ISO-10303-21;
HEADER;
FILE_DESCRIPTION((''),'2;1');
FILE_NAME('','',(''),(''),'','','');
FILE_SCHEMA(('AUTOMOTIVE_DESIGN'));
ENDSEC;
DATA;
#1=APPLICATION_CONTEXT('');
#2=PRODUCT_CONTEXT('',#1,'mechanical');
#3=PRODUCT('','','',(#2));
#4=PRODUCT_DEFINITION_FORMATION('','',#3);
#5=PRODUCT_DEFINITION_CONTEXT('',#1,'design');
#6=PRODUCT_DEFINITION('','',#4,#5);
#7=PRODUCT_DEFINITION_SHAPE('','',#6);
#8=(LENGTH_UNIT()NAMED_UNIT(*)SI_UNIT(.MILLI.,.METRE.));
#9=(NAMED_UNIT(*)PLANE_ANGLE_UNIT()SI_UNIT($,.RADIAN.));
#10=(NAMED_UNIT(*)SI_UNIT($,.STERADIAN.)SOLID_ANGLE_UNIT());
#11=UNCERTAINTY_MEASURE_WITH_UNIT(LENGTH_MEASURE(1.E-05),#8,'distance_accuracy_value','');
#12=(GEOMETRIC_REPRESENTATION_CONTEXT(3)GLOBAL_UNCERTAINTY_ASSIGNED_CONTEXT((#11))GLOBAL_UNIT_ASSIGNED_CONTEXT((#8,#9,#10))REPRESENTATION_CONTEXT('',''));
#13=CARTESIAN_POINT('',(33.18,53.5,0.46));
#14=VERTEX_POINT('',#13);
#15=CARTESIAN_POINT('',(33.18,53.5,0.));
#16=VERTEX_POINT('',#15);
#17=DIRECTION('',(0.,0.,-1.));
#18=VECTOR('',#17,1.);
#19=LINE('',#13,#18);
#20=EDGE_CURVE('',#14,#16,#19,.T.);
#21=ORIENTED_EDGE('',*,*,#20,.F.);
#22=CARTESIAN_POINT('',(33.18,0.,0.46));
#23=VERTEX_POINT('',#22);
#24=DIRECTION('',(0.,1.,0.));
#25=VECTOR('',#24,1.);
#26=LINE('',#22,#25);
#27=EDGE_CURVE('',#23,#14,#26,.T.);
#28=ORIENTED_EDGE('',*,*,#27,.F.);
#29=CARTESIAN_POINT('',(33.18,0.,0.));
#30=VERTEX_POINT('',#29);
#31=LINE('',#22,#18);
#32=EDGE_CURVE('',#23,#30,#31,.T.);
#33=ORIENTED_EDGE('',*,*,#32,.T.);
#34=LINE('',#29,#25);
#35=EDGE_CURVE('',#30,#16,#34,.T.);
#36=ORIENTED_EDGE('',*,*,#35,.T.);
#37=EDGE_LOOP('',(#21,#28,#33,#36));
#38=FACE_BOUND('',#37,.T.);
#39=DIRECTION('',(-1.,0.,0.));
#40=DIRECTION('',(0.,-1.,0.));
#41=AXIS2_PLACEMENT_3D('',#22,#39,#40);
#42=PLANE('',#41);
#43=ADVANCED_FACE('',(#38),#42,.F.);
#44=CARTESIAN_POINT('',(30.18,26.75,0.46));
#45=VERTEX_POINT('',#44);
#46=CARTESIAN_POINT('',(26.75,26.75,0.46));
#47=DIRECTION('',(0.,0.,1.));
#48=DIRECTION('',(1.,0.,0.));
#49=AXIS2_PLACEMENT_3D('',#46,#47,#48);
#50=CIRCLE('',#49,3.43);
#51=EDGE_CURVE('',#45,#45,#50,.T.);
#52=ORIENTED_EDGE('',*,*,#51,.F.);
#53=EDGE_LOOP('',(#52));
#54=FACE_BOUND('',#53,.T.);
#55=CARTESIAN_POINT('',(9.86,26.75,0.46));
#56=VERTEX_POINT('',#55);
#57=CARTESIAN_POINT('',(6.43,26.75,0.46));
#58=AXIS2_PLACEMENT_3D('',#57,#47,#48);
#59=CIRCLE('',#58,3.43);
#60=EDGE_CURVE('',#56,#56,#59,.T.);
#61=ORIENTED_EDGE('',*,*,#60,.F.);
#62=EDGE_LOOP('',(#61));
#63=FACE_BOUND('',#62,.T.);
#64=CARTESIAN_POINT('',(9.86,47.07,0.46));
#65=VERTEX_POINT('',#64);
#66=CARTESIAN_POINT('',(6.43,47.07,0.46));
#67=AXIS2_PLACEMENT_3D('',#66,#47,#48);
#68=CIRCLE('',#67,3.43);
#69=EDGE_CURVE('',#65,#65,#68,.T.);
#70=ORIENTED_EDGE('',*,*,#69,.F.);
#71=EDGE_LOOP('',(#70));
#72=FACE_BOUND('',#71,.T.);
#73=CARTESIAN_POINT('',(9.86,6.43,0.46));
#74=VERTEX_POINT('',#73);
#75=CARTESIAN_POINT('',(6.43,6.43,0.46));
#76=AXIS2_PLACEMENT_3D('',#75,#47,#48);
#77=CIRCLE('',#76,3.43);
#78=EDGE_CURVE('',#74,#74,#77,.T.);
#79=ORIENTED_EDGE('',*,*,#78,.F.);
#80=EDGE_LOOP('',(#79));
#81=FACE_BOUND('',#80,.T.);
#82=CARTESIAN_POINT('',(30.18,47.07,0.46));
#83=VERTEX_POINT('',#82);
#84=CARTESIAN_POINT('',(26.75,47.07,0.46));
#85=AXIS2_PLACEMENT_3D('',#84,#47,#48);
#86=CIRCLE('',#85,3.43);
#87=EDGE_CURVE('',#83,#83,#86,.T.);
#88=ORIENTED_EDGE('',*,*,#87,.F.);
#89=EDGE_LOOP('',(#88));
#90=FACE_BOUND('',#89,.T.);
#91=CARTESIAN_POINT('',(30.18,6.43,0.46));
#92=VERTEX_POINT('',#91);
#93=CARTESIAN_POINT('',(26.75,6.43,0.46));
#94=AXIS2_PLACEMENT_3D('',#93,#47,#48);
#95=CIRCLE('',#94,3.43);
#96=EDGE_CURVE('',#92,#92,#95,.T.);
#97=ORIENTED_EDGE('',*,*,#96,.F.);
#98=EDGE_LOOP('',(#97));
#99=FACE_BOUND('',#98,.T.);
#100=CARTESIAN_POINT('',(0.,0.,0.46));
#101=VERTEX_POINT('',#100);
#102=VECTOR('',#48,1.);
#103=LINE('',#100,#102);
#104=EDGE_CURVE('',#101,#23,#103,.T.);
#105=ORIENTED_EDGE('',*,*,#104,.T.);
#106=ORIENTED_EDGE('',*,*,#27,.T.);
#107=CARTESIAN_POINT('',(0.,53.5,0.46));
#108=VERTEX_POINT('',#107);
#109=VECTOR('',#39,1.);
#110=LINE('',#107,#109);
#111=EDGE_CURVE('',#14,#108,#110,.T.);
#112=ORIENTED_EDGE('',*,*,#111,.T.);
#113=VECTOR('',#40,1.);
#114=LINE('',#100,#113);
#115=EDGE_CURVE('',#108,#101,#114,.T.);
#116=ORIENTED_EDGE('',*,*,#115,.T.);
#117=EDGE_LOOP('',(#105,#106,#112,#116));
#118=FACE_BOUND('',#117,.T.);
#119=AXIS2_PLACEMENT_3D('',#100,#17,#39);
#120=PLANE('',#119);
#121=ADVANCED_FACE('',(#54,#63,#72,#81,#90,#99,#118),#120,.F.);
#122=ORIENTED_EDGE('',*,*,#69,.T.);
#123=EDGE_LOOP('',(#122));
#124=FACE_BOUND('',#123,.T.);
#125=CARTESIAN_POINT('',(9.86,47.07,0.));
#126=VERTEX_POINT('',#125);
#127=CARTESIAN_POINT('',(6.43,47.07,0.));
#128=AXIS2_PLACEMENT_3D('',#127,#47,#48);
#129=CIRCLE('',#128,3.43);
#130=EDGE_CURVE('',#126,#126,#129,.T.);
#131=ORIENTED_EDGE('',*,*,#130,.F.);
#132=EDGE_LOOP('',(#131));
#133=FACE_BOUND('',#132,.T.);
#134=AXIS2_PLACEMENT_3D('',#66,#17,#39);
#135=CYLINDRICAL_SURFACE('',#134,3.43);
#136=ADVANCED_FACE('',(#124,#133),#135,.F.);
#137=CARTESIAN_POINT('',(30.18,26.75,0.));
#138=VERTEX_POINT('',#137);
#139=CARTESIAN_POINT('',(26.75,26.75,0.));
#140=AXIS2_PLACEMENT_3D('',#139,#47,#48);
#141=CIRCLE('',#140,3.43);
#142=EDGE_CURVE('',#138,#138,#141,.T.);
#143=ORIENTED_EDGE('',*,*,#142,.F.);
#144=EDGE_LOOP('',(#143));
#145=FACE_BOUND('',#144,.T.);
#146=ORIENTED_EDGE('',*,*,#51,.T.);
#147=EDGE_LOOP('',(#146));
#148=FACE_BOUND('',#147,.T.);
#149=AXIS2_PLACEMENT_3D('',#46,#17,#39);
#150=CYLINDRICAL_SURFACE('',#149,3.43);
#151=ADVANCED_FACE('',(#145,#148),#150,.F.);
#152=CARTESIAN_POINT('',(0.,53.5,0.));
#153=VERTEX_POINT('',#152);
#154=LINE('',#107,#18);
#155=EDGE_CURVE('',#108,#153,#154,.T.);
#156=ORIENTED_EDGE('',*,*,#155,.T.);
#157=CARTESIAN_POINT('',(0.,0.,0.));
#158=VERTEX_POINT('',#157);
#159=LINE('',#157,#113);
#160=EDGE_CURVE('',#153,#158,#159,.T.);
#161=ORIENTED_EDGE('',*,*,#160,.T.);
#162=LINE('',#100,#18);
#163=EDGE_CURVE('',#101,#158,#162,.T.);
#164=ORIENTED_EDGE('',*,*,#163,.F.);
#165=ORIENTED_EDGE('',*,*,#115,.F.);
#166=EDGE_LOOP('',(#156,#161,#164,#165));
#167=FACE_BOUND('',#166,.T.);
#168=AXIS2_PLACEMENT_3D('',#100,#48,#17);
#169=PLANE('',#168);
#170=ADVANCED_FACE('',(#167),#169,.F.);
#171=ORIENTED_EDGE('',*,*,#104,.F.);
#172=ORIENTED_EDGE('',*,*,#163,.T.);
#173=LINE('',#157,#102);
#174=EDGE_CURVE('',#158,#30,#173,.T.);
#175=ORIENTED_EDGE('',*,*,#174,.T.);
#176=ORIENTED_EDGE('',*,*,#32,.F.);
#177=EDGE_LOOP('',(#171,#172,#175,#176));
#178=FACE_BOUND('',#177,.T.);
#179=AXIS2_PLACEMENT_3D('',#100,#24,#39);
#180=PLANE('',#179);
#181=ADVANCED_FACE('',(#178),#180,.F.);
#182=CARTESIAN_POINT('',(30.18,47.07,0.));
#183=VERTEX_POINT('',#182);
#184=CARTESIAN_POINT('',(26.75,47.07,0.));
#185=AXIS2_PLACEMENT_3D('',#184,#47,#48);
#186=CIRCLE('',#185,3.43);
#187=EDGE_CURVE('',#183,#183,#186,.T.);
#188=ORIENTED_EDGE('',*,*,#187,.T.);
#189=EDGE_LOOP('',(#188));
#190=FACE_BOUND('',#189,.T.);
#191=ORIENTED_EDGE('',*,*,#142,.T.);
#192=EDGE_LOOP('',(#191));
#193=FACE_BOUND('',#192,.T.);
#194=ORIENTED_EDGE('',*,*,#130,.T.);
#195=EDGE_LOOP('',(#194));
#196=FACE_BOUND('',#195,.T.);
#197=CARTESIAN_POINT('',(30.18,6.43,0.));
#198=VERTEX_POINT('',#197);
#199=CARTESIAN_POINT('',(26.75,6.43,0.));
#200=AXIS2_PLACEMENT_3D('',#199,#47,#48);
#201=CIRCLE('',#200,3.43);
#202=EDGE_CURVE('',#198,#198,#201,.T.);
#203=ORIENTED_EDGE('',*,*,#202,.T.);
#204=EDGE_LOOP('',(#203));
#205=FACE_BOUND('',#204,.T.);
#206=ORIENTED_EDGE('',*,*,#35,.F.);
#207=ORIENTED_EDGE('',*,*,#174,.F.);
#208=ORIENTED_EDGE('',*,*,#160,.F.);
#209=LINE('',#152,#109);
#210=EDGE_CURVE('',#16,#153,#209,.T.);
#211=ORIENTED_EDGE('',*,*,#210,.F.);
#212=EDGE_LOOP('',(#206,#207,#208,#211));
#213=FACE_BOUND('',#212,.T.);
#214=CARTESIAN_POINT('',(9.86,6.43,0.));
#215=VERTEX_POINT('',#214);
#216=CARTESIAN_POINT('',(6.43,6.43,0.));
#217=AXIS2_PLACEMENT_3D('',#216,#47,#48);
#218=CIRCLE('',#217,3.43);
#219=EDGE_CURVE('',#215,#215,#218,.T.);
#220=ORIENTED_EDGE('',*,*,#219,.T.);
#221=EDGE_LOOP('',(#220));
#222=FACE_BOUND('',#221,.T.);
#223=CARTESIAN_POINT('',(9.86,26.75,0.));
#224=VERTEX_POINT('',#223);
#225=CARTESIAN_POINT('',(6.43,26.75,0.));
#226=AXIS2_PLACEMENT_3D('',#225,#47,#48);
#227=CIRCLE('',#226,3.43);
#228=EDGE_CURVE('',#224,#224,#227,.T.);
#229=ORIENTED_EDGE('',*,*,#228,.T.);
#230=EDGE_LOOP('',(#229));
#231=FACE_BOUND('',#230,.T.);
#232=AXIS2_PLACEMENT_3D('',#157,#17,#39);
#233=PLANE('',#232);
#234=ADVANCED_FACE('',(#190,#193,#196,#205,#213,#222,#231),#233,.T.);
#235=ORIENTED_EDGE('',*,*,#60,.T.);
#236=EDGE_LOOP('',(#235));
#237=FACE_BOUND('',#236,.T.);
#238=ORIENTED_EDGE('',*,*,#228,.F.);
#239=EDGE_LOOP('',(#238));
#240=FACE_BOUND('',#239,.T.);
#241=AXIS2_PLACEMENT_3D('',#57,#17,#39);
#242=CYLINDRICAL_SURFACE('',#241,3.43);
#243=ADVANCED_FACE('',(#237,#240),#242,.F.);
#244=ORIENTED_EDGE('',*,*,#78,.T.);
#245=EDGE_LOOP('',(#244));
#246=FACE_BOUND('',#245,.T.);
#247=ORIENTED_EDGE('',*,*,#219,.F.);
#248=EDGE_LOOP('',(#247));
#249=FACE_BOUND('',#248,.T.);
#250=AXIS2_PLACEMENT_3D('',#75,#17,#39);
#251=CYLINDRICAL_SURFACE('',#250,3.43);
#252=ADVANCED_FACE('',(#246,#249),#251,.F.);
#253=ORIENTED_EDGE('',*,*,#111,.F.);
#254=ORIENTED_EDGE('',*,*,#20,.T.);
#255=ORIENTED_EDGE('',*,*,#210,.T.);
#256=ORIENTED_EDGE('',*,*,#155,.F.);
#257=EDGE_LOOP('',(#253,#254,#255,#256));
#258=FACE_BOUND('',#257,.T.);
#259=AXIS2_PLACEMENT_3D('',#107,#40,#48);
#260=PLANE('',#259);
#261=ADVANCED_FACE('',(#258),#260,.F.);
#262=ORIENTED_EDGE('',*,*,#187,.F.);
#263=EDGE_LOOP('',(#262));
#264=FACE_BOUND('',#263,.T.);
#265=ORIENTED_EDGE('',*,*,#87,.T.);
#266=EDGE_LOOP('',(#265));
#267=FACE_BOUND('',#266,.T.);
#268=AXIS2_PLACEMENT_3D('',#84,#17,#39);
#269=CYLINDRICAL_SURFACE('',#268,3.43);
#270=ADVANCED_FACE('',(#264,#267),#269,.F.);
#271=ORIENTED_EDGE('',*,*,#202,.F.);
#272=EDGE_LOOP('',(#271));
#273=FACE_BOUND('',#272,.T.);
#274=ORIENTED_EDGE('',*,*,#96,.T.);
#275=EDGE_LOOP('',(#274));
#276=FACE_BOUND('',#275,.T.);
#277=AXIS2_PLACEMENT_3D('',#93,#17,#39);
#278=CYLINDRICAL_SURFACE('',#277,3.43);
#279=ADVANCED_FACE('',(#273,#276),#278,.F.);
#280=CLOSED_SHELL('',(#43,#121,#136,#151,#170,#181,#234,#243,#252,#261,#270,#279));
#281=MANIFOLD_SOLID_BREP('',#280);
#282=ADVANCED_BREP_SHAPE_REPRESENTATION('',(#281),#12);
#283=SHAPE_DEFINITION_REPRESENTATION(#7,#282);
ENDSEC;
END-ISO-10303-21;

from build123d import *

# Parameters (mm, degrees)
SKETCH2_W           = 33.18
SKETCH2_H           = 53.5
SKETCH2_R           = 3.43
BOSS_EXTRUDE1_DEPTH = 0.46


with BuildPart() as part:
    # Sketch2 → Boss-Extrude1 (new body)
    with BuildSketch(Plane.XY):
        with Locations((16.59, 26.75)):
            Rectangle(SKETCH2_W, SKETCH2_H)
        with Locations((6.43, 47.07)):
            Circle(SKETCH2_R, mode=Mode.SUBTRACT)
        with Locations((26.75, 47.07)):
            Circle(SKETCH2_R, mode=Mode.SUBTRACT)
        with Locations((26.75, 26.75)):
            Circle(SKETCH2_R, mode=Mode.SUBTRACT)
        with Locations((26.75, 6.43)):
            Circle(SKETCH2_R, mode=Mode.SUBTRACT)
        with Locations((6.43, 26.75)):
            Circle(SKETCH2_R, mode=Mode.SUBTRACT)
        with Locations((6.43, 6.43)):
            Circle(SKETCH2_R, mode=Mode.SUBTRACT)
    extrude(amount=BOSS_EXTRUDE1_DEPTH)


solid = part.part
